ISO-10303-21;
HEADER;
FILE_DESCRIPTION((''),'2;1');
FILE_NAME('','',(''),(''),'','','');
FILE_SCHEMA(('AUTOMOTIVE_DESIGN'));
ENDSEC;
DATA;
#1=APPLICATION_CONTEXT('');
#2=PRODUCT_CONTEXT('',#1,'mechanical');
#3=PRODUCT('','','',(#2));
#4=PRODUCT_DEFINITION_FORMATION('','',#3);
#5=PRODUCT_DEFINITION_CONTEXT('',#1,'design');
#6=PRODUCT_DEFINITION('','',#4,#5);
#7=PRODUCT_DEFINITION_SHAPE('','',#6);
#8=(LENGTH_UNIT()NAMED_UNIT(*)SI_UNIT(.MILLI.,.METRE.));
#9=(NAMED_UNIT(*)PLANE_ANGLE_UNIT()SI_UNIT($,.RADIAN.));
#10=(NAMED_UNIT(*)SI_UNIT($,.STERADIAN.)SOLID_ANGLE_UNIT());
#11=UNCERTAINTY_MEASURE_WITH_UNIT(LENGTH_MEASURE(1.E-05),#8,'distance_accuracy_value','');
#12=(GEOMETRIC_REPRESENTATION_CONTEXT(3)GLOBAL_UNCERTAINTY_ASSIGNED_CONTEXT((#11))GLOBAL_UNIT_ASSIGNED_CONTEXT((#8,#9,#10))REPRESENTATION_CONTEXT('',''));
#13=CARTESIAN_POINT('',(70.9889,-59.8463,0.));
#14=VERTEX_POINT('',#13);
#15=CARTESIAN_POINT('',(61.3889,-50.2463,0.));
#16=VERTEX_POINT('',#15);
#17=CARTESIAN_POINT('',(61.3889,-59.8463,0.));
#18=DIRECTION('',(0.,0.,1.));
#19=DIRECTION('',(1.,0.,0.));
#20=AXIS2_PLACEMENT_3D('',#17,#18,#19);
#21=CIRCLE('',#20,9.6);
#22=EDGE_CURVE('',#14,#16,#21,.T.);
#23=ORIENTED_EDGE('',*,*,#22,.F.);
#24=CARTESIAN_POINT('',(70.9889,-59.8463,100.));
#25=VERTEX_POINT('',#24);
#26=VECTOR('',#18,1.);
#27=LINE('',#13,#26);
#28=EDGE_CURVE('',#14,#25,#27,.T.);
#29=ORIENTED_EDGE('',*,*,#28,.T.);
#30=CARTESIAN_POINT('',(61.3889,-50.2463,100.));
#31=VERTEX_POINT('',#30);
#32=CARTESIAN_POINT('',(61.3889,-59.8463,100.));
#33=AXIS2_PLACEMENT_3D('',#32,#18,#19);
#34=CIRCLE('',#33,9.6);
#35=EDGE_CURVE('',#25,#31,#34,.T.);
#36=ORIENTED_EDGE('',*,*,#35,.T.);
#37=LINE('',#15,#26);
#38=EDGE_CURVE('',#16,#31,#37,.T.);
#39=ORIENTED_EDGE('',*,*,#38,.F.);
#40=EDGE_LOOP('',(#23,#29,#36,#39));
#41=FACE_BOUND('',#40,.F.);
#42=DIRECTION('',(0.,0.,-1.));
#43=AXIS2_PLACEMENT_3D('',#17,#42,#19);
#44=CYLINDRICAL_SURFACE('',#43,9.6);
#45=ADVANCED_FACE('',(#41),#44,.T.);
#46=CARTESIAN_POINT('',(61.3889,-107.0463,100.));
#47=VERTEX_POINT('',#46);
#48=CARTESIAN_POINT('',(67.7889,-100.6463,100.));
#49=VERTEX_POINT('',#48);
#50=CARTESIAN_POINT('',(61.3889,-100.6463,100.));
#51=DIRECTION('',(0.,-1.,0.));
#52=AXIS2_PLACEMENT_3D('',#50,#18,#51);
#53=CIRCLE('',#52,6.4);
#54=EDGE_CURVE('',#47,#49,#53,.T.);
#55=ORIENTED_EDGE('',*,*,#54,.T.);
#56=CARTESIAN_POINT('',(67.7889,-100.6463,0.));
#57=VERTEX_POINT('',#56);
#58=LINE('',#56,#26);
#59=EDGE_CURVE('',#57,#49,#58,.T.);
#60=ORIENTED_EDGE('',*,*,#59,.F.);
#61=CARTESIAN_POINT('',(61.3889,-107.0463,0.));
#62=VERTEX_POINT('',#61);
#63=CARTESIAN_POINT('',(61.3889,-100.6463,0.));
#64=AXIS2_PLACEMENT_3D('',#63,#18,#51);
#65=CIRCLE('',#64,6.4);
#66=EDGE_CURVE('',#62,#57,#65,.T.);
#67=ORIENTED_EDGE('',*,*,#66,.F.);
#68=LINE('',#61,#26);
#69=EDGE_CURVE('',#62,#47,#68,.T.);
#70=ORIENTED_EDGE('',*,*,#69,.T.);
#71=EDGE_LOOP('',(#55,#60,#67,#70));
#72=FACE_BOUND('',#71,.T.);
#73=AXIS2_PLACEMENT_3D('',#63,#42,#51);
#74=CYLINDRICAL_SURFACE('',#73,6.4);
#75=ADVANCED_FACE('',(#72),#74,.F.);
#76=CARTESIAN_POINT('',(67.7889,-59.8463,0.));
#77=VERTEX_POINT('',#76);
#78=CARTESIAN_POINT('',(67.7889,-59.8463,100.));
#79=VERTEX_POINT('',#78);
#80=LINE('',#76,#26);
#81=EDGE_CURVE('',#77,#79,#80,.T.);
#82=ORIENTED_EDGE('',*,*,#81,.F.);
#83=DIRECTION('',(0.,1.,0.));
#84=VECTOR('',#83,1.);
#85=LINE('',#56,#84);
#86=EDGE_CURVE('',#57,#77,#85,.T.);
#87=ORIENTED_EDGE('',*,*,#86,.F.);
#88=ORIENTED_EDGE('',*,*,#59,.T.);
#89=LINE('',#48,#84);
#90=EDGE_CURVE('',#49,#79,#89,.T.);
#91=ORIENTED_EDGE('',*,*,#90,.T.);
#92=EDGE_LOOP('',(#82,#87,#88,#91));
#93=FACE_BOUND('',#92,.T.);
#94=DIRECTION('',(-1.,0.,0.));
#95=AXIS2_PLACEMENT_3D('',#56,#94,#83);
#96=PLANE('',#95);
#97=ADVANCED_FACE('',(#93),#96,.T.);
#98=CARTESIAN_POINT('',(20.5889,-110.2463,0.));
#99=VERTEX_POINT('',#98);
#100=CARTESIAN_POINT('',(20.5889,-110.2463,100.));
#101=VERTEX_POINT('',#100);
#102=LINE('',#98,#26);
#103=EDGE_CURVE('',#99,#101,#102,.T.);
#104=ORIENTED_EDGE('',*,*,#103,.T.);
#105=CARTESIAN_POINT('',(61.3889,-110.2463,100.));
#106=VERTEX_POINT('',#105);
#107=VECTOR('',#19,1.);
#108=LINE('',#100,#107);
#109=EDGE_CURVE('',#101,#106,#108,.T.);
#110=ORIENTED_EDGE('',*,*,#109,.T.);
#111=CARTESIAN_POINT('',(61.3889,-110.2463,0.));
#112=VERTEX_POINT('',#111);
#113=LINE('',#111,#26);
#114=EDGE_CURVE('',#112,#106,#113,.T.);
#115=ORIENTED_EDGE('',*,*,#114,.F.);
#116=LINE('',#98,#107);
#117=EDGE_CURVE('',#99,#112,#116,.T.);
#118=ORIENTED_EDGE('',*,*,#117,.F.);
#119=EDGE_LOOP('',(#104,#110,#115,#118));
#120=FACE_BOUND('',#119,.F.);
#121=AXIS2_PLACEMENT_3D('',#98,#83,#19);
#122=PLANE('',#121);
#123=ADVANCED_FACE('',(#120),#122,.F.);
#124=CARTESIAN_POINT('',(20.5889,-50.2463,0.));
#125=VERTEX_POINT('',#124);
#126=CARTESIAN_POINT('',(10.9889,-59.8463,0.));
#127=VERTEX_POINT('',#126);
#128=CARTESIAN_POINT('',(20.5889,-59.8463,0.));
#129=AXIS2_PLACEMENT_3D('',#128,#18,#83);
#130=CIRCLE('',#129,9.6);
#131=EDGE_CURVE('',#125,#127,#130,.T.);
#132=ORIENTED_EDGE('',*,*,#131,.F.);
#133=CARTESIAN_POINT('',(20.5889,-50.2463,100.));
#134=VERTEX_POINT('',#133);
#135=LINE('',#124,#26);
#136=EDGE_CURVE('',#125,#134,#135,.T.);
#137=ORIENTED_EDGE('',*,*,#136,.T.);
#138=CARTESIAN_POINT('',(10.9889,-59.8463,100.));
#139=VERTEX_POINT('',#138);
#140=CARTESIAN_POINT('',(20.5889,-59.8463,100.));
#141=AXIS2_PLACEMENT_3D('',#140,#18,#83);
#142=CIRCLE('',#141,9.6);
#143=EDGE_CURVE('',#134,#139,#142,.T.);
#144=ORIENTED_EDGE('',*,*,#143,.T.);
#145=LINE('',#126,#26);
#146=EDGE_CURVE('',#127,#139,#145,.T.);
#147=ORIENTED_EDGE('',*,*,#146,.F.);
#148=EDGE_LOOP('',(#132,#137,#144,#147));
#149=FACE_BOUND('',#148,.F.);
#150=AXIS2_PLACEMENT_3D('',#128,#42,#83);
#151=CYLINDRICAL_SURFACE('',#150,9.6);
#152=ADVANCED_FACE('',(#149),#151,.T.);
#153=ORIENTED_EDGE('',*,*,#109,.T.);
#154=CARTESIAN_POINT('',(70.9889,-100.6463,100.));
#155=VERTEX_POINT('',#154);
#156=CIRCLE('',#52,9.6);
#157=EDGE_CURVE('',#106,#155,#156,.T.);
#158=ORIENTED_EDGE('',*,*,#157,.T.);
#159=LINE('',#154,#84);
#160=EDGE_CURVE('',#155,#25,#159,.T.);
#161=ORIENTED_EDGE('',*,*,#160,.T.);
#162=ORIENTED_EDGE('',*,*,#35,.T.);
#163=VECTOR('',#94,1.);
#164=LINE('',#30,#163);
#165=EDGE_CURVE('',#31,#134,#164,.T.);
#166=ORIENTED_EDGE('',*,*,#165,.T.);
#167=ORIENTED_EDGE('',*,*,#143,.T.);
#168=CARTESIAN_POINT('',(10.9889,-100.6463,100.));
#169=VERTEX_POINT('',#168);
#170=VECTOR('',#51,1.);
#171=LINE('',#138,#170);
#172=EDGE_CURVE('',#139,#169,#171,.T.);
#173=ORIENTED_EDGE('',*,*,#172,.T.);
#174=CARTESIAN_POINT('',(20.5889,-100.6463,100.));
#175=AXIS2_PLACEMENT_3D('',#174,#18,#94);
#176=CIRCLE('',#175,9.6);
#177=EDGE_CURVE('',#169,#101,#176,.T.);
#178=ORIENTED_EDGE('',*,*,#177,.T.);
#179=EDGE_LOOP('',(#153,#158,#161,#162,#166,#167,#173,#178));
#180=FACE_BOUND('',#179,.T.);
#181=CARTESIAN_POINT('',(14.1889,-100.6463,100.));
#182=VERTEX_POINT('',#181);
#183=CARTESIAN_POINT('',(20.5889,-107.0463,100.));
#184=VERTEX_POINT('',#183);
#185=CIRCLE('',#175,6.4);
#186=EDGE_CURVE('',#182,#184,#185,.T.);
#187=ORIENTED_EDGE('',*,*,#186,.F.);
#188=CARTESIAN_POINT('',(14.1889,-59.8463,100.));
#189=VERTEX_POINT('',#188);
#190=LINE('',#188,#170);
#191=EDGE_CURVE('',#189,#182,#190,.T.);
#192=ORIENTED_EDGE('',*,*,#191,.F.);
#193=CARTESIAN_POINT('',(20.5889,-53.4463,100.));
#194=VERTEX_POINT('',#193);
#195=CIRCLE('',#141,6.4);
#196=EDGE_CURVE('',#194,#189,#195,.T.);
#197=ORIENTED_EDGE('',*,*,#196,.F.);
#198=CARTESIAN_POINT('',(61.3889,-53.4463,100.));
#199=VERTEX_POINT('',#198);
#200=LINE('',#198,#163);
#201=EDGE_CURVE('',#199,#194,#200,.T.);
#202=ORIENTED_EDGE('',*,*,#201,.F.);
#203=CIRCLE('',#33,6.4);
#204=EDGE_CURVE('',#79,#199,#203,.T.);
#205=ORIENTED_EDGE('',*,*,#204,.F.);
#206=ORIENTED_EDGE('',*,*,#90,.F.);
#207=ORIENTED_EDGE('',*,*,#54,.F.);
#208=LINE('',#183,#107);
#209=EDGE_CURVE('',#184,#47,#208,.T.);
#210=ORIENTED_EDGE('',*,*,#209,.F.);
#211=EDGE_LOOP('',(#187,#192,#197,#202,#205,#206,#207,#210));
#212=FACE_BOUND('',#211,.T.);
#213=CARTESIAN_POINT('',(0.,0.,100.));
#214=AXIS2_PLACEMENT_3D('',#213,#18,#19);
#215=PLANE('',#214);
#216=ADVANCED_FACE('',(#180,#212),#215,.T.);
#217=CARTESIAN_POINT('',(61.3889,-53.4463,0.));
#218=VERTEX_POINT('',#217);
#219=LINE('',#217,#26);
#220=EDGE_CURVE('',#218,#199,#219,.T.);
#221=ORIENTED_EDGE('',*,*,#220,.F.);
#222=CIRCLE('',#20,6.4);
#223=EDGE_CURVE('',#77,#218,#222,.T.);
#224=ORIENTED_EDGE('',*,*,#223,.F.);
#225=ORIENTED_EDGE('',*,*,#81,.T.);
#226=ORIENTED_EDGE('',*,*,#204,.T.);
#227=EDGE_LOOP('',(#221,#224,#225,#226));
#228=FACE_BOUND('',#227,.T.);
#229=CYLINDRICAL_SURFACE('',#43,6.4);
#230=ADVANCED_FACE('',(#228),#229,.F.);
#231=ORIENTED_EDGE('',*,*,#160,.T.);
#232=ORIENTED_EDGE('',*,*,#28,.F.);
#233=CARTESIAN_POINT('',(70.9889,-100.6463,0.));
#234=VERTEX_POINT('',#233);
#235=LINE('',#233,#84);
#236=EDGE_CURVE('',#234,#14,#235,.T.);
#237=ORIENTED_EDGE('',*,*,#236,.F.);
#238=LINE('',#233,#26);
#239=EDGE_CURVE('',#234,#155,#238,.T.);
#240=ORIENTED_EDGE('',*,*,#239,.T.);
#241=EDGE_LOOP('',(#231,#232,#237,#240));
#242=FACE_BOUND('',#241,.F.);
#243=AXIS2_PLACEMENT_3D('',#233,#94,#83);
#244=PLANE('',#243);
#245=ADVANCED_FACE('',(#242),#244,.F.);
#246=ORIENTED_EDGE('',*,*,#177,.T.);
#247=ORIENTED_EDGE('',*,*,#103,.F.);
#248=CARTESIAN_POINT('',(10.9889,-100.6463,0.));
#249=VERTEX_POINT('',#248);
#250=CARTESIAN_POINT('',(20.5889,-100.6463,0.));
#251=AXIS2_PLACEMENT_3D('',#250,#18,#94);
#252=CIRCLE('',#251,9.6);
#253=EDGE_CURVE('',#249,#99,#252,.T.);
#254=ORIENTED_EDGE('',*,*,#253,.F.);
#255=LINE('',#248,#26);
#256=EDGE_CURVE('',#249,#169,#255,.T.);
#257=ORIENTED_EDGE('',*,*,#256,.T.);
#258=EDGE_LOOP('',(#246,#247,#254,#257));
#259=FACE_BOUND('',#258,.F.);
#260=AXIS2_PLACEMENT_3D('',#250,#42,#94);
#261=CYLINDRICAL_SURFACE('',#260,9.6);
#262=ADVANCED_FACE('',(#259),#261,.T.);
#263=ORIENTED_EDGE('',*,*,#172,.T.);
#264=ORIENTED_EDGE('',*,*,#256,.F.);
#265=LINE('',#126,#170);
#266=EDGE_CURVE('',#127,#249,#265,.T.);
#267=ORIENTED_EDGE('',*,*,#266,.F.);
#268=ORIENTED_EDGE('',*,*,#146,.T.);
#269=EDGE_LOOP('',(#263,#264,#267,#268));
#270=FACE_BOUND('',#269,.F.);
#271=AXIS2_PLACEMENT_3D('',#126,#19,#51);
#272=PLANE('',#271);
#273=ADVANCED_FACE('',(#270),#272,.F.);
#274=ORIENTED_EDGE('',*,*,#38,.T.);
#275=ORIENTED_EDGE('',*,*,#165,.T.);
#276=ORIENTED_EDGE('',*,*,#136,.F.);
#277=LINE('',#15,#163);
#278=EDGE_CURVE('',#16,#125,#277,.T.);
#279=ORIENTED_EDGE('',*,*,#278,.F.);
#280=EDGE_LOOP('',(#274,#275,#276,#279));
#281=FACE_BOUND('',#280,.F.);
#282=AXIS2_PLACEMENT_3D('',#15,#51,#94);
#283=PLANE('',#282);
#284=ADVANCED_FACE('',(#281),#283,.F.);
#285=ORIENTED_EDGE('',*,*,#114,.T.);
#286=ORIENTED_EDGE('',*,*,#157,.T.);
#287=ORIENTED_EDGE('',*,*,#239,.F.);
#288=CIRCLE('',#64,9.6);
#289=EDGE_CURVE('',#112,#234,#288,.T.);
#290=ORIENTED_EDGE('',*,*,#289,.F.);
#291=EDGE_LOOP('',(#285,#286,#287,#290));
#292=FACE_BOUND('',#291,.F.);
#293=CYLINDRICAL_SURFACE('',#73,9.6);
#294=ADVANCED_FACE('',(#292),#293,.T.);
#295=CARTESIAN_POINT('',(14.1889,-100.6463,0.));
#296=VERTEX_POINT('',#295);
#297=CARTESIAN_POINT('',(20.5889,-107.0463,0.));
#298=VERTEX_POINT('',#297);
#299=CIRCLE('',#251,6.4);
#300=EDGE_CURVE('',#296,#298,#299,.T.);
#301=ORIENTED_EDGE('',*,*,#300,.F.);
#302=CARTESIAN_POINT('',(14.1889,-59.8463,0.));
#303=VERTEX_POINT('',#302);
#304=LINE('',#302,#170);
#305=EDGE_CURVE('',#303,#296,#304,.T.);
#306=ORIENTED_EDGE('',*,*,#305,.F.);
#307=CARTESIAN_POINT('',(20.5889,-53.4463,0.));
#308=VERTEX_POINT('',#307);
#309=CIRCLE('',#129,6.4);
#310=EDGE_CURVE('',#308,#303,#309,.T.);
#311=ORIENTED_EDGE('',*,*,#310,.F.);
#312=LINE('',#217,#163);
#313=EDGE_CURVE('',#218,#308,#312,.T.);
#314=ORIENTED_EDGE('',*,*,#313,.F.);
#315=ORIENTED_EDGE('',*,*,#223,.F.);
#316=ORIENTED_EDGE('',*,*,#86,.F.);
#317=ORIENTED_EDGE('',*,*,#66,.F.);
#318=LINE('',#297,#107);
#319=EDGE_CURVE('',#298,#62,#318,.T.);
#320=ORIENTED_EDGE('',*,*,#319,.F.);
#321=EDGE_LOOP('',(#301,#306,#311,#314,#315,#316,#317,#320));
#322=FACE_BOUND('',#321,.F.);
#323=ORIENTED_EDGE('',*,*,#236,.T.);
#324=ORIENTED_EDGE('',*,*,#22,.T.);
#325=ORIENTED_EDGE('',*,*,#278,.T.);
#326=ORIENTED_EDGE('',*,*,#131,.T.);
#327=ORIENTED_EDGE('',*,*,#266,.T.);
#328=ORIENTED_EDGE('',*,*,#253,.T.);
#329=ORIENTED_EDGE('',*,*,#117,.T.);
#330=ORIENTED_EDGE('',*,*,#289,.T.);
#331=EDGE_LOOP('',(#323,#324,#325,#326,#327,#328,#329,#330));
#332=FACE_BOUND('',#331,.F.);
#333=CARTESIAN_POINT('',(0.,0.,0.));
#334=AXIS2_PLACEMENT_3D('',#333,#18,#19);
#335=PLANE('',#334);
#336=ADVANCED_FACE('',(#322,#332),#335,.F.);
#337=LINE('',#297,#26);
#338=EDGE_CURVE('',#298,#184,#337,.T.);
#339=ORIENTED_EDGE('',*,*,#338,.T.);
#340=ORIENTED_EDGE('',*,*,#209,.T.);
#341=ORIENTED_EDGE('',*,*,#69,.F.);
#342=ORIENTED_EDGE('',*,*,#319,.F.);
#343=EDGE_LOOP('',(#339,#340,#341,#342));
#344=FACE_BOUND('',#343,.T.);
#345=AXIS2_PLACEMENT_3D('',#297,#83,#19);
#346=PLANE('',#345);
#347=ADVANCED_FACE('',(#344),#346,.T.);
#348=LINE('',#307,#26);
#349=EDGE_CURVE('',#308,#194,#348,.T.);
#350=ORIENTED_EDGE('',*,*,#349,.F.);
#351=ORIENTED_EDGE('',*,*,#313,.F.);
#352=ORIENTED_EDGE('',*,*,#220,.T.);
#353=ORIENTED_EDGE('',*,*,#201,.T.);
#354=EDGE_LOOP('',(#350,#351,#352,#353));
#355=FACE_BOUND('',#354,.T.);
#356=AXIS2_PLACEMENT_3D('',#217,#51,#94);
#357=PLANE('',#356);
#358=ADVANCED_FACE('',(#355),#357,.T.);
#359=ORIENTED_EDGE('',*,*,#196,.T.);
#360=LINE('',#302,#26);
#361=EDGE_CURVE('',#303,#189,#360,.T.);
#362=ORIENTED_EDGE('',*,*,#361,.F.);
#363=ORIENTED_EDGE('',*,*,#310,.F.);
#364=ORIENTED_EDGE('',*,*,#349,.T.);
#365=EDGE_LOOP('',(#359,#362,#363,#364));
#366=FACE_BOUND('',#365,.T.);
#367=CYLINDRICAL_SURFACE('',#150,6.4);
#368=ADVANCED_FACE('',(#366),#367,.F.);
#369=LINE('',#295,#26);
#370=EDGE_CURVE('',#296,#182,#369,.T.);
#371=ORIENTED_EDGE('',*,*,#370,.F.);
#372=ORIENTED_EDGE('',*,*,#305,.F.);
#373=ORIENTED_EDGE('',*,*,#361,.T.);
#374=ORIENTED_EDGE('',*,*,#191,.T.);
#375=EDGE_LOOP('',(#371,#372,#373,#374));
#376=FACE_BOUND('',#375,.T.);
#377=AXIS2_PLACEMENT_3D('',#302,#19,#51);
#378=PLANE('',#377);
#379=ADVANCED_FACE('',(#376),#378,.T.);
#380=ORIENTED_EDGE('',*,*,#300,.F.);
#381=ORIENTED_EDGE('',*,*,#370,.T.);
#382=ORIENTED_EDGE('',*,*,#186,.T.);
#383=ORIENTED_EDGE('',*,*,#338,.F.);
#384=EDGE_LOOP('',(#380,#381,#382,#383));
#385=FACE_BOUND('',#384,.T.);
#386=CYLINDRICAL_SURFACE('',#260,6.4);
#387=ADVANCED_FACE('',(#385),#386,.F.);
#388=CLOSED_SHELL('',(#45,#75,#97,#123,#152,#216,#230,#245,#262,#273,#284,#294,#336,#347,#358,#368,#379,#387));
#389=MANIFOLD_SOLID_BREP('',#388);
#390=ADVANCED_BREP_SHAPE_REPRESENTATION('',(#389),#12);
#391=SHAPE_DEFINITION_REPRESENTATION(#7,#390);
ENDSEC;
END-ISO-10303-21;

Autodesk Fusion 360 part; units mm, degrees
sketch "スケッチ1" plane through (0, 0, 0) normal (0, 0, 1) x (1, 0, 0)
  arc A0 (61.3889, -110.2463) -> (70.9889, -100.6463) centre (61.3889, -100.6463) ccw
  arc A1 (61.3889, -107.0463) -> (67.7889, -100.6463) centre (61.3889, -100.6463) ccw
  arc A2 (70.9889, -59.8463) -> (61.3889, -50.2463) centre (61.3889, -59.8463) ccw
  arc A3 (67.7889, -59.8463) -> (61.3889, -53.4463) centre (61.3889, -59.8463) ccw
  arc A4 (20.5889, -50.2463) -> (10.9889, -59.8463) centre (20.5889, -59.8463) ccw
  arc A5 (20.5889, -53.4463) -> (14.1889, -59.8463) centre (20.5889, -59.8463) ccw
  line L0 (20.5889, -110.2463) -> (61.3889, -110.2463)
  line L1 (20.5889, -107.0463) -> (61.3889, -107.0463)
  line L2 (10.9889, -59.8463) -> (10.9889, -100.6463)
  line L3 (14.1889, -59.8463) -> (14.1889, -100.6463)
  arc A6 (10.9889, -100.6463) -> (20.5889, -110.2463) centre (20.5889, -100.6463) ccw
  arc A7 (14.1889, -100.6463) -> (20.5889, -107.0463) centre (20.5889, -100.6463) ccw
  line L4 (61.3889, -50.2463) -> (20.5889, -50.2463)
  line L5 (61.3889, -53.4463) -> (20.5889, -53.4463)
  line L6 (70.9889, -100.6463) -> (70.9889, -59.8463)
  line L7 (67.7889, -100.6463) -> (67.7889, -59.8463)
  point P0 (40.9889, -80.2463)
extrude "押し出し1" add sketch "スケッチ1" along normal blind 100
